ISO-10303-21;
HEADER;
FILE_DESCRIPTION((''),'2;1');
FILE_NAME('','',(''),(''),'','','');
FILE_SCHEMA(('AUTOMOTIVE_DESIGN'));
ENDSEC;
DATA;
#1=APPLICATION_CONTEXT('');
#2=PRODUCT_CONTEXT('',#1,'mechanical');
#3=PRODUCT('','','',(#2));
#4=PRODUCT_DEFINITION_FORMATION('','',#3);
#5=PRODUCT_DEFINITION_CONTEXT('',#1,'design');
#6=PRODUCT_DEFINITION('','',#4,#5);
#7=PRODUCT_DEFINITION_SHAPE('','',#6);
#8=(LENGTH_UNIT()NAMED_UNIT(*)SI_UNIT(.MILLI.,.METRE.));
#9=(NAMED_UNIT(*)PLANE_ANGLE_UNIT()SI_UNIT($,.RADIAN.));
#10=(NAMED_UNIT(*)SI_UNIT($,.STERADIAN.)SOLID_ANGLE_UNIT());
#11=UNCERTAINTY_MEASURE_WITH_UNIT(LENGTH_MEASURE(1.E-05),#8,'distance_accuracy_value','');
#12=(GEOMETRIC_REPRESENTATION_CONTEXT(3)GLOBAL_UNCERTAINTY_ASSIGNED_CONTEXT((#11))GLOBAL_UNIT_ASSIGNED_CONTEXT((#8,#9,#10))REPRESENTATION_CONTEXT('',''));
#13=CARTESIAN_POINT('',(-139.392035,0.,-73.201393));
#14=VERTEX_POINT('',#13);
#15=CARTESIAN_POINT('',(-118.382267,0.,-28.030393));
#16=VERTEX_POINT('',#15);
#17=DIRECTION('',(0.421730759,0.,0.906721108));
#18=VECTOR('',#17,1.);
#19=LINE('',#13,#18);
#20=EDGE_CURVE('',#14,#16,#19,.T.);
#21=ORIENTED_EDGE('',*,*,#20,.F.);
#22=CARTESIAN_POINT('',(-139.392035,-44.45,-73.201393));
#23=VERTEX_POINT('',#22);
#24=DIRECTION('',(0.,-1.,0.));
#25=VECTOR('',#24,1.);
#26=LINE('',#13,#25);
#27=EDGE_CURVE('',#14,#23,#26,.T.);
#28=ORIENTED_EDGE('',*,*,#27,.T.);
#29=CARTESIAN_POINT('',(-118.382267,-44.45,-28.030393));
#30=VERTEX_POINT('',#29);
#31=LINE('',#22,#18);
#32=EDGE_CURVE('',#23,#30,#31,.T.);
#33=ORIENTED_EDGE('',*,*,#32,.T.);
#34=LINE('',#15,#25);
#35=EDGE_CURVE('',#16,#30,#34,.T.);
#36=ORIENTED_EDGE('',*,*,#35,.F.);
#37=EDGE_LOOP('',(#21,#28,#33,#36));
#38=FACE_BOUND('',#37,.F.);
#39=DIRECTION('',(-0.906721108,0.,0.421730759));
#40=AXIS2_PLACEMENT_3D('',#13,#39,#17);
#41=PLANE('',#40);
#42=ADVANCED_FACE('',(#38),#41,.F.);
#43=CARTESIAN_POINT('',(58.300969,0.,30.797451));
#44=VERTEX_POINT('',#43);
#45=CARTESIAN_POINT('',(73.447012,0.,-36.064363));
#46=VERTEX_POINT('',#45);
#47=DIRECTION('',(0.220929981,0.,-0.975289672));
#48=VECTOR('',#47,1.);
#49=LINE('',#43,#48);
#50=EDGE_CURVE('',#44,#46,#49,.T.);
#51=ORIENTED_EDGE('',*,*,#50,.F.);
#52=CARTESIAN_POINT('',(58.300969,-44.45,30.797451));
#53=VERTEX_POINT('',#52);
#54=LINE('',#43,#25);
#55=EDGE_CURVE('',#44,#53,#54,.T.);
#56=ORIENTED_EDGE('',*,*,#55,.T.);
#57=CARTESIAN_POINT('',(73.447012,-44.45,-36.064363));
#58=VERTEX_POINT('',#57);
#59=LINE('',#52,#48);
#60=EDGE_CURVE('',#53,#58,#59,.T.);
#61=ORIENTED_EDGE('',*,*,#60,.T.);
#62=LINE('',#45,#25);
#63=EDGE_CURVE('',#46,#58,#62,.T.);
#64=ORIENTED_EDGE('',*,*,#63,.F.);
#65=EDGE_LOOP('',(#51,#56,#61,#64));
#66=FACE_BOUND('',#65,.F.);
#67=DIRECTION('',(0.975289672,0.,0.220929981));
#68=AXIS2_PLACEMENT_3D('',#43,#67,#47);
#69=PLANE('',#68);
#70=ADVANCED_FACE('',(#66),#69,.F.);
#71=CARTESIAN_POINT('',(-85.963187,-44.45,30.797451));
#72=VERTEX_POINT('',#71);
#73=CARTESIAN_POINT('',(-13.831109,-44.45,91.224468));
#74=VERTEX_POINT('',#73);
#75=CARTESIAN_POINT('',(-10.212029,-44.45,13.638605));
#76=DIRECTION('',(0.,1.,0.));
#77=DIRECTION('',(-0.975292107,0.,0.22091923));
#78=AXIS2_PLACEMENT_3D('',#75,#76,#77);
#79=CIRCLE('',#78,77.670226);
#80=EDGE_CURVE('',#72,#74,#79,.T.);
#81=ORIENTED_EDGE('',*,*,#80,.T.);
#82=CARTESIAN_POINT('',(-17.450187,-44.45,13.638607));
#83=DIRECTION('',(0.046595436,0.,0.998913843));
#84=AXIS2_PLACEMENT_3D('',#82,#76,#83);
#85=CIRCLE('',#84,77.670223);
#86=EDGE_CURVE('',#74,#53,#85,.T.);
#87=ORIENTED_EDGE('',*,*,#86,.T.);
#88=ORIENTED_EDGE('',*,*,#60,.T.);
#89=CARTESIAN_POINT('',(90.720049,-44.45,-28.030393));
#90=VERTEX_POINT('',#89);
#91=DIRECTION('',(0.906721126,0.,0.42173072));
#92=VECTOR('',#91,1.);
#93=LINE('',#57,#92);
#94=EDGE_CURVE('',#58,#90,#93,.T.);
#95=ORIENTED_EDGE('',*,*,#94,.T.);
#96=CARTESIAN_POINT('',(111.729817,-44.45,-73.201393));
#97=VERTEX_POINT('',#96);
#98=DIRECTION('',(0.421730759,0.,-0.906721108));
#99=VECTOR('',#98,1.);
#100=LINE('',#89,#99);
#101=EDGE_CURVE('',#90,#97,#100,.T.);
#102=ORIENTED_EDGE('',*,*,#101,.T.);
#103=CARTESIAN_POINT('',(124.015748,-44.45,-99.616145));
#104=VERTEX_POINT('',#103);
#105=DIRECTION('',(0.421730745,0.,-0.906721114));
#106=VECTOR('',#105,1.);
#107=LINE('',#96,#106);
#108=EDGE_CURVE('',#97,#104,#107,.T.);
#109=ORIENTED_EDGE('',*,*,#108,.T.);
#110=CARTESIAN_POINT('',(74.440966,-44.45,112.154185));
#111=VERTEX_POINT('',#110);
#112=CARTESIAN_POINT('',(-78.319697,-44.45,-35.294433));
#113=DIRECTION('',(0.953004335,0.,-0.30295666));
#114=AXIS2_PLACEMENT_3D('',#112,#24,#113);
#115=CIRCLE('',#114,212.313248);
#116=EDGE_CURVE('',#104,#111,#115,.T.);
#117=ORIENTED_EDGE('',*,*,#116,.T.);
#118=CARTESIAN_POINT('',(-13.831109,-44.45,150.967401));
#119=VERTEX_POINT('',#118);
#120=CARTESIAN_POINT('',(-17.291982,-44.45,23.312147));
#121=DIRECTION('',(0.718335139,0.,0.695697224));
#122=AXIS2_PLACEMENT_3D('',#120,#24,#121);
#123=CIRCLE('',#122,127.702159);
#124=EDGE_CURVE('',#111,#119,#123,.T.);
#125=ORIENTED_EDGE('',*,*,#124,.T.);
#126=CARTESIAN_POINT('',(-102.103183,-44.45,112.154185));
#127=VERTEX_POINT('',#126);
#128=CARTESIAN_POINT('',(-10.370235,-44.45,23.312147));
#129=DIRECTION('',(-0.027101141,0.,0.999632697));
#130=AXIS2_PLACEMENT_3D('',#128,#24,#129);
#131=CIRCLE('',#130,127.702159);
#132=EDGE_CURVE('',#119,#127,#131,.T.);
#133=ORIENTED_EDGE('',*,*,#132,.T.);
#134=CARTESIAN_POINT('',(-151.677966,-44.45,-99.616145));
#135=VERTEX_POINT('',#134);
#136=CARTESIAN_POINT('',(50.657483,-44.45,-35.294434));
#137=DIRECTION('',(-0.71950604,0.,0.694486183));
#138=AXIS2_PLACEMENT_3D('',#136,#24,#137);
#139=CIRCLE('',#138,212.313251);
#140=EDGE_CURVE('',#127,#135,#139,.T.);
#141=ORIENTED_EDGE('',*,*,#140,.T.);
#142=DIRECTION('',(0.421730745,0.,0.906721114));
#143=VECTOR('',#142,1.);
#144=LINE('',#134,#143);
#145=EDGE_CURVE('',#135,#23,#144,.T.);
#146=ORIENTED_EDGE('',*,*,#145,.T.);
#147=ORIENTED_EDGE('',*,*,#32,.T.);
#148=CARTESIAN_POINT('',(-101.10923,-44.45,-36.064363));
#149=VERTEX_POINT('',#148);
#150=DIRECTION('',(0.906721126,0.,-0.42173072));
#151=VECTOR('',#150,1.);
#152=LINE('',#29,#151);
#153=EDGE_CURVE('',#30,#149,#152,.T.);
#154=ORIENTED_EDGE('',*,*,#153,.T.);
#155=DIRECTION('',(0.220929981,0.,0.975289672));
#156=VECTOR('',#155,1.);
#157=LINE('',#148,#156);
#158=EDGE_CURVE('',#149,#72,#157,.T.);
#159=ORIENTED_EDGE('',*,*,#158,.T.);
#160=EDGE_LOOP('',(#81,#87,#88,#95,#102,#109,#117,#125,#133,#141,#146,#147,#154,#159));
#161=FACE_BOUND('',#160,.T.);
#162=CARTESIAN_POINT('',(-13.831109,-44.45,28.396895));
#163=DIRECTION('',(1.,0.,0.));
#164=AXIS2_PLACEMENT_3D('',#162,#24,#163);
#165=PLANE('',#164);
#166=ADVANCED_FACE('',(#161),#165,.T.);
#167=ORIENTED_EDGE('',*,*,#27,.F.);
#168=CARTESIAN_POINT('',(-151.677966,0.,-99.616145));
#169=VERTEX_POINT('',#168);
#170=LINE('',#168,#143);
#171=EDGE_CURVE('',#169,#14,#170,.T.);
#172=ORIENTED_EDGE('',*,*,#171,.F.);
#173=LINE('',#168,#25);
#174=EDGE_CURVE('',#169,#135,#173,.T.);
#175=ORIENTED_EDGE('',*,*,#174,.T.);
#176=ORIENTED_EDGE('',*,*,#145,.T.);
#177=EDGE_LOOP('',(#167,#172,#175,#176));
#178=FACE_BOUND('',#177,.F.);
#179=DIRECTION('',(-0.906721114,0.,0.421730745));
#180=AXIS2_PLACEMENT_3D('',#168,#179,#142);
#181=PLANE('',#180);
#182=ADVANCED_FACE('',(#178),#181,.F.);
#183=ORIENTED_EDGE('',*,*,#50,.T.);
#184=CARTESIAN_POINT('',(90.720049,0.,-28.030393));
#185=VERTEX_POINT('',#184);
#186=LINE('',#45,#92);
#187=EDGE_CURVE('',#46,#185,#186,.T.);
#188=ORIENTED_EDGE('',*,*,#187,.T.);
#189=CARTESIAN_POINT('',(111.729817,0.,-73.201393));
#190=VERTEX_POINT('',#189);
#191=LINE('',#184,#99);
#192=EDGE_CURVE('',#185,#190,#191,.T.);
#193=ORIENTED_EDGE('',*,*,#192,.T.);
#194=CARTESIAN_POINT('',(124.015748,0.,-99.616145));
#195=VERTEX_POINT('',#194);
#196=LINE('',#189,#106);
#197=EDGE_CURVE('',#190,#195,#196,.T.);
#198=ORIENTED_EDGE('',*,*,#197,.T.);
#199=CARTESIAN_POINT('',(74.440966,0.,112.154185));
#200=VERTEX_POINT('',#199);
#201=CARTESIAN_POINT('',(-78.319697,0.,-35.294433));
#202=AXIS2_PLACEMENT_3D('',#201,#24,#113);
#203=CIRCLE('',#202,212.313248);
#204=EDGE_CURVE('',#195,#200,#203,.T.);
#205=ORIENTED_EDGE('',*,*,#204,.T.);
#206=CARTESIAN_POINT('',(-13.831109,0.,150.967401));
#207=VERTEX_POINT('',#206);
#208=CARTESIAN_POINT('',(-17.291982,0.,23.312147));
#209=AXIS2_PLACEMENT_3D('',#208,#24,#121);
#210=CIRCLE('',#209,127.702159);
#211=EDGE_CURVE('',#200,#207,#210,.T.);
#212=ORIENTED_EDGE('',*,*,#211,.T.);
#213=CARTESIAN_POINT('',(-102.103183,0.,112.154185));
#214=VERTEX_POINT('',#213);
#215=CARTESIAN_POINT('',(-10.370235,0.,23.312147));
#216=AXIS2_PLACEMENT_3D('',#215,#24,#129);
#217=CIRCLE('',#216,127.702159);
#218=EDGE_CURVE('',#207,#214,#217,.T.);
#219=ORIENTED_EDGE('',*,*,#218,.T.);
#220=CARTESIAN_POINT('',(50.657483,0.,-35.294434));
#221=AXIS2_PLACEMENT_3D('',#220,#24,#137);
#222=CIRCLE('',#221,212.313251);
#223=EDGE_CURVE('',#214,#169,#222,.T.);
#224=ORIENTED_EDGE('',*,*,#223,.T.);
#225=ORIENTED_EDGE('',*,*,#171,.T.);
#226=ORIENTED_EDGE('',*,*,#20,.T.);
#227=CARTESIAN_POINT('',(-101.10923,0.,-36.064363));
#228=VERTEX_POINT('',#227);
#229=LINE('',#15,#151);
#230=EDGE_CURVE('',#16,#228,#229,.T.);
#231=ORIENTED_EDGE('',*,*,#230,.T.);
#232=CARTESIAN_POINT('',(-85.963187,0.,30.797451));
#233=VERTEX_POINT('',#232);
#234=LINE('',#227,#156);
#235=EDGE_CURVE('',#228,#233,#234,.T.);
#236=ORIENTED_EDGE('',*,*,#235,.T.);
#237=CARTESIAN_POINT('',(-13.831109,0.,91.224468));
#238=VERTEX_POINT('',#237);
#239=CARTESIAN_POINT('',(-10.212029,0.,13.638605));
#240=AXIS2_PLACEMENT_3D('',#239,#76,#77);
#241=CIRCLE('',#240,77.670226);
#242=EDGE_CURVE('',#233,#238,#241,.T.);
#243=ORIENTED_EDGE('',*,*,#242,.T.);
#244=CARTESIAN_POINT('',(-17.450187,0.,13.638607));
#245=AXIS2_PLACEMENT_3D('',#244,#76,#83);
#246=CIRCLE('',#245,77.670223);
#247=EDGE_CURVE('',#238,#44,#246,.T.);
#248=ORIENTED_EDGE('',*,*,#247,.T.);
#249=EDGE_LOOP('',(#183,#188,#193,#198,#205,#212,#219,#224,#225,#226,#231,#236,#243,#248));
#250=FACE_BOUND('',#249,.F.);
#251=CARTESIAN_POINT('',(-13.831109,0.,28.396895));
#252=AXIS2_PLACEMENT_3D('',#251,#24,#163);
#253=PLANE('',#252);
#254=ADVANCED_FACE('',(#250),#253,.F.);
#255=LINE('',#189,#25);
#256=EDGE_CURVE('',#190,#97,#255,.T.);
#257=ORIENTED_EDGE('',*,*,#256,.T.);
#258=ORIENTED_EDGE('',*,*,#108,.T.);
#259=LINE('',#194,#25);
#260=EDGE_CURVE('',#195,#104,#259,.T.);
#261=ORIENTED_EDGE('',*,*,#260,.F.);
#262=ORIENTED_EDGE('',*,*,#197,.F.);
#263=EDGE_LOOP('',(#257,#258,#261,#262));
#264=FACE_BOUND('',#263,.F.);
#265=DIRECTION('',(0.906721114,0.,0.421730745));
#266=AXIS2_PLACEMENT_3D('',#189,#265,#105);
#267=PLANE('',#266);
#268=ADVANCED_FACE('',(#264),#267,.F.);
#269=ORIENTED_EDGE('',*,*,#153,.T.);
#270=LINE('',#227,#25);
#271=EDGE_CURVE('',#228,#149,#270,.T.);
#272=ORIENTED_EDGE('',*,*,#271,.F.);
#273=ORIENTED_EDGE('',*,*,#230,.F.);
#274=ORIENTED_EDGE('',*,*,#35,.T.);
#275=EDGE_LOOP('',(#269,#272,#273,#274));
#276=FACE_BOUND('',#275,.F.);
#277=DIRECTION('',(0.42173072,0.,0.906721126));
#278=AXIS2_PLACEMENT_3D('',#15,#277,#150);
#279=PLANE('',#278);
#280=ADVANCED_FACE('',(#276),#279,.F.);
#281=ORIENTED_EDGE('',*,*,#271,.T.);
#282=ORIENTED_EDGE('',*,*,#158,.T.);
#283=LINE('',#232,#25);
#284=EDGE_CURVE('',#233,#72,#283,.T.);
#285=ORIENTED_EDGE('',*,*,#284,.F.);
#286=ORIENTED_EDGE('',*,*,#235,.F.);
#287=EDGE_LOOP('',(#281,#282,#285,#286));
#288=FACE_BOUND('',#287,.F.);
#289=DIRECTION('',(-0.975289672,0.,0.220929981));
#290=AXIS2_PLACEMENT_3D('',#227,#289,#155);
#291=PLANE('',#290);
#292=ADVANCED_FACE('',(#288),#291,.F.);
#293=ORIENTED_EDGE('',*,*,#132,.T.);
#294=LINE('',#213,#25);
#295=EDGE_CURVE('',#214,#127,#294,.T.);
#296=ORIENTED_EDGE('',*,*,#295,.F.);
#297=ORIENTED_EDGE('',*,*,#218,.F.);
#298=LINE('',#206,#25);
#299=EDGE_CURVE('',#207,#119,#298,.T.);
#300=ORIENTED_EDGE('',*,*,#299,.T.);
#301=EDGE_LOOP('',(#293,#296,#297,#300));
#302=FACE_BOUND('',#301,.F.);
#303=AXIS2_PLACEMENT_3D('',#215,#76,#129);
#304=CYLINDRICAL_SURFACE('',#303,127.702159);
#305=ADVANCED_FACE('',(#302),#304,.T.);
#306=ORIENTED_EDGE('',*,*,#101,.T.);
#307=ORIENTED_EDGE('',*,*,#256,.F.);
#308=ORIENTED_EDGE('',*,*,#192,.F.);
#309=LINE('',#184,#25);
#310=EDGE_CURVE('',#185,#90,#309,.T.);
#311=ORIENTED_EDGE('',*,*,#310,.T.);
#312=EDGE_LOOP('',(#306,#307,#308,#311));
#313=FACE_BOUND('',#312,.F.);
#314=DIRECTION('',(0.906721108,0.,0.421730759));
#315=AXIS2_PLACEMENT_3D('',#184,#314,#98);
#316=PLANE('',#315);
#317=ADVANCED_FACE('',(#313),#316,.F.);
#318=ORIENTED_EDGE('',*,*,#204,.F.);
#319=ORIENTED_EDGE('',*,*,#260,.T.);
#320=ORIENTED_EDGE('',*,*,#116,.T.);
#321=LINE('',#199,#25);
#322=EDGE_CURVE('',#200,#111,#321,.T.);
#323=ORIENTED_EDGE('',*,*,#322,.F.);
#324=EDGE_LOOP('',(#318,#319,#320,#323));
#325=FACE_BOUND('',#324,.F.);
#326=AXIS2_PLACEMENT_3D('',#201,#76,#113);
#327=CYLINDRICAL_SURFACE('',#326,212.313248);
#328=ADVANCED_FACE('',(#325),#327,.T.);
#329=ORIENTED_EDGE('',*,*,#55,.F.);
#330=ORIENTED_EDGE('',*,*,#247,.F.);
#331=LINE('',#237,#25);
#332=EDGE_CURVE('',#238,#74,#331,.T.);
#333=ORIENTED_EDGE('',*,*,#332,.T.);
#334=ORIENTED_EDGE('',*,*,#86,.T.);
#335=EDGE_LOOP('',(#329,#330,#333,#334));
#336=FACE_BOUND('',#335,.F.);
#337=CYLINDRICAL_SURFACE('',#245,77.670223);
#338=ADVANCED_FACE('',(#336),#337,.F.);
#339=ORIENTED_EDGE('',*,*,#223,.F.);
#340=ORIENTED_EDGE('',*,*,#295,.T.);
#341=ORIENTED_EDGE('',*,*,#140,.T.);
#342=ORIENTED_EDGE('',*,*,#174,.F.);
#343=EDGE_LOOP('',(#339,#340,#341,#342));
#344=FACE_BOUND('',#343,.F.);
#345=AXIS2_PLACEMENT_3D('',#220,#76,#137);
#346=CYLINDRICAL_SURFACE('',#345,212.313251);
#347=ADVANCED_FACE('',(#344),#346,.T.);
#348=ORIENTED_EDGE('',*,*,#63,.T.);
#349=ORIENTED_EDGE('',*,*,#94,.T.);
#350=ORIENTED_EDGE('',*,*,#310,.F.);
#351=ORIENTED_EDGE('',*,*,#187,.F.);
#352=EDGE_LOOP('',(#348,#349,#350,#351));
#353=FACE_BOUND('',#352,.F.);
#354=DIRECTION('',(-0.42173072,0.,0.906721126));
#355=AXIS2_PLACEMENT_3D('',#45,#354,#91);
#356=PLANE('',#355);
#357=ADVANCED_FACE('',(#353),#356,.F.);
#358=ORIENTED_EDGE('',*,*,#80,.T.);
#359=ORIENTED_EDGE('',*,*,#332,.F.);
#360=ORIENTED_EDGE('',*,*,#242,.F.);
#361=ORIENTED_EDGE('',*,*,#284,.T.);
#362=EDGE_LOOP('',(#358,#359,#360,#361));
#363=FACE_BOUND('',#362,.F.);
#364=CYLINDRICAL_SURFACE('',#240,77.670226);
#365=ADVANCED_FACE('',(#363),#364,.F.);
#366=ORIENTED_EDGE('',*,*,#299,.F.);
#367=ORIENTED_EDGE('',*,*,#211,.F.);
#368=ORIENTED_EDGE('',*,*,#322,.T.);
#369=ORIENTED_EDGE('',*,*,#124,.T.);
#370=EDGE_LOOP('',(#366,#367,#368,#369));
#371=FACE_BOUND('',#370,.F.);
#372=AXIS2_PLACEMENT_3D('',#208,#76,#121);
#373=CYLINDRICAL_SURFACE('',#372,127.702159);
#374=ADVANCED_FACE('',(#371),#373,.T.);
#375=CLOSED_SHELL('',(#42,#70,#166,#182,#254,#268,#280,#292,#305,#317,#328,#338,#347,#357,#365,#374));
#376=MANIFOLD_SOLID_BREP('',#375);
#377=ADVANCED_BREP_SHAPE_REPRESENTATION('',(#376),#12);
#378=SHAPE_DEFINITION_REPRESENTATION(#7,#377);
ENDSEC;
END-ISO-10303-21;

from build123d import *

# Parameters (mm, degrees)
F1_DEPTH = 44.45


with BuildPart() as f1:
    # F0 (on Front) → F1 (new body)
    with BuildSketch(Plane.XZ):
        with BuildLine():
            Line((-151.677966, -99.616145), (-139.392035, -73.201393))
            Line((-139.392035, -73.201393), (-118.382267, -28.030393))
            Line((-118.382267, -28.030393), (-101.10923, -36.064363))
            Line((-101.10923, -36.064363), (-85.963187, 30.797451))
            ThreePointArc((-85.963187, 30.797451), (-60.089526, 73.177661), (-13.831109, 91.224468))
            ThreePointArc((-13.831109, 91.224468), (32.427309, 73.177661), (58.300969, 30.797451))
            Line((58.300969, 30.797451), (73.447012, -36.064363))
            Line((73.447012, -36.064363), (90.720049, -28.030393))
            Line((90.720049, -28.030393), (111.729817, -73.201393))
            Line((111.729817, -73.201393), (124.015748, -99.616145))
            ThreePointArc((124.015748, -99.616145), (128.404708, 13.099114), (74.440966, 112.154185))
            ThreePointArc((74.440966, 112.154185), (34.109208, 140.212785), (-13.831109, 150.967401))
            ThreePointArc((-13.831109, 150.967401), (-61.771425, 140.212785), (-102.103183, 112.154185))
            ThreePointArc((-102.103183, 112.154185), (-156.066925, 13.099114), (-151.677966, -99.616145))
        make_face()
    extrude(amount=F1_DEPTH)


solid = f1.part
